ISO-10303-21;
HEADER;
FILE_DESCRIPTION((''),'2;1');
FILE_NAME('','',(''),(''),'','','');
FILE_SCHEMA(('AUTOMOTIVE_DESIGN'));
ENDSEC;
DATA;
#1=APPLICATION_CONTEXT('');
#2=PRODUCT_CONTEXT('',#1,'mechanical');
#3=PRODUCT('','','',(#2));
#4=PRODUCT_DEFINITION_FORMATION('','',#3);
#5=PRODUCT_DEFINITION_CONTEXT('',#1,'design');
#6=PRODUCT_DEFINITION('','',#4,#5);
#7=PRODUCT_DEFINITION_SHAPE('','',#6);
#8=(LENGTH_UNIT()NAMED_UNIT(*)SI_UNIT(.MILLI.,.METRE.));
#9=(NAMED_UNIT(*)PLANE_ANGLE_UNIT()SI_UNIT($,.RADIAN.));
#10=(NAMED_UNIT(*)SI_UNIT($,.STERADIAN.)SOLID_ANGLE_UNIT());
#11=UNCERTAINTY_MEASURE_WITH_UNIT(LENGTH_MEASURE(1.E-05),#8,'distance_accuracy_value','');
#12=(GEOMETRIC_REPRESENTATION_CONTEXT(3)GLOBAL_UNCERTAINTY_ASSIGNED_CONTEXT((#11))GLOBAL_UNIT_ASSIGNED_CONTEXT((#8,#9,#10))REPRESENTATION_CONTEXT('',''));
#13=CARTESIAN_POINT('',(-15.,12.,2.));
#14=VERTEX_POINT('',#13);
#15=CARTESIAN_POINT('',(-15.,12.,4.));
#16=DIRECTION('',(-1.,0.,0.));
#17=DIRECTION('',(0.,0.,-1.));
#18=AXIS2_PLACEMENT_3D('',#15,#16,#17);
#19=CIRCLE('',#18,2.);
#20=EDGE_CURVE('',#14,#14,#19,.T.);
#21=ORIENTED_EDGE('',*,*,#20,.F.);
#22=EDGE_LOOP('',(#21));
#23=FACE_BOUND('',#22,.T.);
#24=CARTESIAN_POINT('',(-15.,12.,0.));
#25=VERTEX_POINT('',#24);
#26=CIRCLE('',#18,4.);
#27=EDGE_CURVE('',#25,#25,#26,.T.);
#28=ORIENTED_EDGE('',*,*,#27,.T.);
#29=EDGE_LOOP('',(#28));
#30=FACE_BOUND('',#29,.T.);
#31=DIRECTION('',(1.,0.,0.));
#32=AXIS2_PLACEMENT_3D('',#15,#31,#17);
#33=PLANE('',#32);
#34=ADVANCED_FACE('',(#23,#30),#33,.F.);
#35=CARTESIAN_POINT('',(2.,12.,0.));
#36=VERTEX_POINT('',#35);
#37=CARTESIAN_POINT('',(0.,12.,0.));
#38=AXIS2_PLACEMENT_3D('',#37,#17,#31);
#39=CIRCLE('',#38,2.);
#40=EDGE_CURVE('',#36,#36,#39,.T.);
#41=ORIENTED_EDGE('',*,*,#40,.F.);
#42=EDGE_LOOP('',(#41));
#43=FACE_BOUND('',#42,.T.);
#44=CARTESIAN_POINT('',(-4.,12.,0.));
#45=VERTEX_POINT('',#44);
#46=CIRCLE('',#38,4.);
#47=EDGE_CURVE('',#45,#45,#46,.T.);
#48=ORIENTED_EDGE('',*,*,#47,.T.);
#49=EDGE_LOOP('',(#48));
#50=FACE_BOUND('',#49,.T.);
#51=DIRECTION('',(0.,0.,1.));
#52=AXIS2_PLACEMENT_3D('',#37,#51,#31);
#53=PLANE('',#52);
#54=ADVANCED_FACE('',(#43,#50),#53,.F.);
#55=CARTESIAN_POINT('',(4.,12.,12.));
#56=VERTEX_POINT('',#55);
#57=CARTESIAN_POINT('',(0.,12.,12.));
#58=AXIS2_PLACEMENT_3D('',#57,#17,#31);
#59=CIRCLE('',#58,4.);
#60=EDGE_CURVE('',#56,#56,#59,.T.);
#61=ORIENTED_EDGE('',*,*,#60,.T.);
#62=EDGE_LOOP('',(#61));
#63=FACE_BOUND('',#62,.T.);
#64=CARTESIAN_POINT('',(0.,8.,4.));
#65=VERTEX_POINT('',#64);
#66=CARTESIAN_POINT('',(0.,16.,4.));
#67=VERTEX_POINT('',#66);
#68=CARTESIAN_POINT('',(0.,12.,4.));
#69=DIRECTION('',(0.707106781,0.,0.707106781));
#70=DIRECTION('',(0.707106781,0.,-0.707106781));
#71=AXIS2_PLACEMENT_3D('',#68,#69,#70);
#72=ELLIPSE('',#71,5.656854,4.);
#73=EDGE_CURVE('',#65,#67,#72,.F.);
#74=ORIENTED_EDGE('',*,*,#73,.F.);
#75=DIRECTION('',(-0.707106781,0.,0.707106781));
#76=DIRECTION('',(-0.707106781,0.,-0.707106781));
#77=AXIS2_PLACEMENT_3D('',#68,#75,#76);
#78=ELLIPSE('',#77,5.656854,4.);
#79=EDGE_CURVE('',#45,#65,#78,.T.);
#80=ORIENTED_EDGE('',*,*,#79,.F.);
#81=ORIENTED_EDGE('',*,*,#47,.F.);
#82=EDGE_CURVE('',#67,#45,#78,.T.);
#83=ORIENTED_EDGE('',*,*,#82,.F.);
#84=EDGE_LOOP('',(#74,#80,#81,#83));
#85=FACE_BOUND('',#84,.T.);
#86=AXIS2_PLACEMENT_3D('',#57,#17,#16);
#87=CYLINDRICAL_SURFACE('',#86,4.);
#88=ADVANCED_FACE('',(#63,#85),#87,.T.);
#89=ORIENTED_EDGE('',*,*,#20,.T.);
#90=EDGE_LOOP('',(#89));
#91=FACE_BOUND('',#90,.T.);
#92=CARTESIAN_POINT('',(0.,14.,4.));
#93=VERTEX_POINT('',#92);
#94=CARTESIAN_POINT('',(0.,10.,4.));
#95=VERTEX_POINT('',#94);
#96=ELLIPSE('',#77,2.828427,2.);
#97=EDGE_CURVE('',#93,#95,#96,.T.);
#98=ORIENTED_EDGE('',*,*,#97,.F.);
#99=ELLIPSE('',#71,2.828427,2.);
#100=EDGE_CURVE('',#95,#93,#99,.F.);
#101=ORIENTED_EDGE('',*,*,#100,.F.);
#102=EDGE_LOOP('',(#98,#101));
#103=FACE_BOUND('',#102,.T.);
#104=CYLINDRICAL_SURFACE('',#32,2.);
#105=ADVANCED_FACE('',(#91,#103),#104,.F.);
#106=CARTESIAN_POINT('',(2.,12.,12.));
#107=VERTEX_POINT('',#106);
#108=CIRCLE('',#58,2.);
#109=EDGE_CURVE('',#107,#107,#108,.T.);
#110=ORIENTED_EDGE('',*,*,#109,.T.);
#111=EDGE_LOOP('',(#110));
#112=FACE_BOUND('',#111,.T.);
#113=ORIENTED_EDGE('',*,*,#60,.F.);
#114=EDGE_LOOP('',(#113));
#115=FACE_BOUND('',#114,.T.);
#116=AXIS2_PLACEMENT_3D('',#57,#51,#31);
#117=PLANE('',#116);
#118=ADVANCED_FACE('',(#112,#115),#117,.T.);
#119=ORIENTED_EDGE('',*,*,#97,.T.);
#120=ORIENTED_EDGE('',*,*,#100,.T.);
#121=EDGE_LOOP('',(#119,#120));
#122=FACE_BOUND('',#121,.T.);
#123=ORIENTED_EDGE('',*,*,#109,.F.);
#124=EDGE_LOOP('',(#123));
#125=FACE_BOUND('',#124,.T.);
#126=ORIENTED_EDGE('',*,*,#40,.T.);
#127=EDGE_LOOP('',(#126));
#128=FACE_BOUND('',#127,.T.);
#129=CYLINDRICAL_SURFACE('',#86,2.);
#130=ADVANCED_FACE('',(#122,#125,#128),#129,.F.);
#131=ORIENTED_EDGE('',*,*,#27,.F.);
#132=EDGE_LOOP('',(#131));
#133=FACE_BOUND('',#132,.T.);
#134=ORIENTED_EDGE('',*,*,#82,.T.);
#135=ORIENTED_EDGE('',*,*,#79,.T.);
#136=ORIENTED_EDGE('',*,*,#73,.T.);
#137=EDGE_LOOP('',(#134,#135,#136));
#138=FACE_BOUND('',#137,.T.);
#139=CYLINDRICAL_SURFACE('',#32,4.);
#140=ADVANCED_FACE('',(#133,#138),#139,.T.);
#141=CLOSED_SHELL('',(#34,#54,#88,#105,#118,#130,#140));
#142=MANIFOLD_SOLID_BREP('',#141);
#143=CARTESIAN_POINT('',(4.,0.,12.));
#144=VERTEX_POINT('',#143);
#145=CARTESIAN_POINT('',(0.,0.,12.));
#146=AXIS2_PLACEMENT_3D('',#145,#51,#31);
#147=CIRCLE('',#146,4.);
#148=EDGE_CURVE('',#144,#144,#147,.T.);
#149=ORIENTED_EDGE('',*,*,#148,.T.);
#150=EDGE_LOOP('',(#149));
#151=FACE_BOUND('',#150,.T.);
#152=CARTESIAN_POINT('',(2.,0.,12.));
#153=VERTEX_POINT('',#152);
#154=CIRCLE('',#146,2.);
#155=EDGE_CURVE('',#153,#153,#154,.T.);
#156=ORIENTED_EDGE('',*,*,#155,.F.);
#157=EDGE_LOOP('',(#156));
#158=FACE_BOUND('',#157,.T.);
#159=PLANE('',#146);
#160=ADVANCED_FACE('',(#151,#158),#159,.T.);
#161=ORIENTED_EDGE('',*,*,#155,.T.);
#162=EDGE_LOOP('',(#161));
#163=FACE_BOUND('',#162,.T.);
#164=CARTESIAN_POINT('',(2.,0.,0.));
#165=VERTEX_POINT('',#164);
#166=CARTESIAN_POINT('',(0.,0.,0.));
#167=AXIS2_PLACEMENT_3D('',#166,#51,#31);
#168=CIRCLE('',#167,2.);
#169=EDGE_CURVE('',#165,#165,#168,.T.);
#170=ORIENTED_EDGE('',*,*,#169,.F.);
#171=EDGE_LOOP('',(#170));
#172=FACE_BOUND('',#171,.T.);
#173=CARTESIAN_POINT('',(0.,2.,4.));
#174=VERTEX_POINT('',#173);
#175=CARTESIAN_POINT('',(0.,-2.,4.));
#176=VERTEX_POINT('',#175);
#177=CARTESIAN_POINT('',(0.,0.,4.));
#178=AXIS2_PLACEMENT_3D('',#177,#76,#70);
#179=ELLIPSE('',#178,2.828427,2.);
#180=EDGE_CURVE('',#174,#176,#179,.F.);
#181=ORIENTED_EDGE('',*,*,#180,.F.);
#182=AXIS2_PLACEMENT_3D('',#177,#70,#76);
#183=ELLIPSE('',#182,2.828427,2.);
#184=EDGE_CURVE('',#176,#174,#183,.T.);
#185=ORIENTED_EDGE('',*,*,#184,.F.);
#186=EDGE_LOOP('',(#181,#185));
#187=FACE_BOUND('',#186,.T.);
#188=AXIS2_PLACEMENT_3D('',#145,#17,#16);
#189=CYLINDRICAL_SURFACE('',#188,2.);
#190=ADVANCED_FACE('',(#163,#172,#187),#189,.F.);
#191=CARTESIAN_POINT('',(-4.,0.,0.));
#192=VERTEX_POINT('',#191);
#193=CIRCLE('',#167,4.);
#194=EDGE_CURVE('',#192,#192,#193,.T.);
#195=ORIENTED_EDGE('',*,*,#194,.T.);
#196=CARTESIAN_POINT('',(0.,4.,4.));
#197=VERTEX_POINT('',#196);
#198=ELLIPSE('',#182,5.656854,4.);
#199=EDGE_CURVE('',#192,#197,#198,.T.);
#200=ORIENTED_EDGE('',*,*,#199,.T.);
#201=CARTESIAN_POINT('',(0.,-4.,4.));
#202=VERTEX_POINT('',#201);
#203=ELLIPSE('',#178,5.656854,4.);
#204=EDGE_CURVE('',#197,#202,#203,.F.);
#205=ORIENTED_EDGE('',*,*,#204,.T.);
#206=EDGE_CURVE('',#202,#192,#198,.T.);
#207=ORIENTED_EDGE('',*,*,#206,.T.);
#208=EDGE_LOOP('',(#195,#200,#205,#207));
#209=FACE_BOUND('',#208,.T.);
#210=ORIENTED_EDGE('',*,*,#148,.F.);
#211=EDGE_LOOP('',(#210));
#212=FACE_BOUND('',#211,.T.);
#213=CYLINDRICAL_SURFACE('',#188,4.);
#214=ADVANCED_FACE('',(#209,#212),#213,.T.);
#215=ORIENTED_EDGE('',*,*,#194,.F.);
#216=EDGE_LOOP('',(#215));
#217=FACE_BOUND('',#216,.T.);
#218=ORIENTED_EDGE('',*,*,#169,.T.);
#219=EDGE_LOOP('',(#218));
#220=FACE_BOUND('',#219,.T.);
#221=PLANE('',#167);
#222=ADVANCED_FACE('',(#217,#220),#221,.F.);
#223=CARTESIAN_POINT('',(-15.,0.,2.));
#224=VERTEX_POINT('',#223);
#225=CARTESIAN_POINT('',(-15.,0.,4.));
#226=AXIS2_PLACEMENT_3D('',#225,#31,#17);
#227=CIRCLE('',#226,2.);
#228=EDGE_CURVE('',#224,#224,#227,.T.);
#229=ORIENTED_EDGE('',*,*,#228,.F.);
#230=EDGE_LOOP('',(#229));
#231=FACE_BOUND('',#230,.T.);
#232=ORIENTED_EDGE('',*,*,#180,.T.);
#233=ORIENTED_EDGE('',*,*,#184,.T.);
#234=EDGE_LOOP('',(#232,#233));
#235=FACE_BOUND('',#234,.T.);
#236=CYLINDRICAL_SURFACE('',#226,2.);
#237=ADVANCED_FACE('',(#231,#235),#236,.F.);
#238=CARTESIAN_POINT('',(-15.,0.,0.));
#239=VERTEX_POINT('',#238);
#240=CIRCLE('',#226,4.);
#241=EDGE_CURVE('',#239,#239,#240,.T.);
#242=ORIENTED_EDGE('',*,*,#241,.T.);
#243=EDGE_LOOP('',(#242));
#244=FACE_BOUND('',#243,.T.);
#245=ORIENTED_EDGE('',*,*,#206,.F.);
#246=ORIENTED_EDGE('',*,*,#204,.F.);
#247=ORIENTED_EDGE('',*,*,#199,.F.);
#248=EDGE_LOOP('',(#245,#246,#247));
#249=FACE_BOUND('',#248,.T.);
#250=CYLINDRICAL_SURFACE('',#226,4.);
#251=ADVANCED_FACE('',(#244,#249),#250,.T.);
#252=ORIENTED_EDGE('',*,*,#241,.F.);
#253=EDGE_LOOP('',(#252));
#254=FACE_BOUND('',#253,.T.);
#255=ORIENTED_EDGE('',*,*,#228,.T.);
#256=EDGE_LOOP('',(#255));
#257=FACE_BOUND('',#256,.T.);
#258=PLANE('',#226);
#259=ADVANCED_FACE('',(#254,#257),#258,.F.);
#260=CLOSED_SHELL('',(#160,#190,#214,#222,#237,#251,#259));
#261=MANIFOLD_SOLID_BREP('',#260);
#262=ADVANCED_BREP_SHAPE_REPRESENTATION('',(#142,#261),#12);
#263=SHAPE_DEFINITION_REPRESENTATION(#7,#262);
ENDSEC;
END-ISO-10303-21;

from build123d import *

# Parameters (mm, degrees)
SKETCH1_R           = 4
SKETCH1_R_2         = 2
BOSS_EXTRUDE1_DEPTH = 12
SKETCH2_R           = 4
SKETCH2_R_2         = 2
BOSS_EXTRUDE2_DEPTH = 15
SKETCH3_R           = 2
CUT_EXTRUDE1_DEPTH  = 13.0000001
CUT_EXTRUDE2_REACH  = 21
SKETCH4_R           = 2


with BuildPart() as part:
    # Sketch1 → Boss-Extrude1 (new body)
    with BuildSketch(Plane.XY):
        Circle(SKETCH1_R)
        Circle(SKETCH1_R_2, mode=Mode.SUBTRACT)
    extrude(amount=BOSS_EXTRUDE1_DEPTH)

    # Sketch2 → Boss-Extrude2 (add)
    with BuildSketch(Plane(origin=(0, 0, 0), x_dir=(0, 0, -1), z_dir=(1, 0, 0))):
        with Locations((-4, 0)):
            Circle(SKETCH2_R)
        with Locations((-4, 0)):
            Circle(SKETCH2_R_2, mode=Mode.SUBTRACT)
    extrude(amount=-BOSS_EXTRUDE2_DEPTH)

    # Sketch3 → Cut-Extrude1 (cut, through all)
    with BuildSketch(Plane(origin=(0, 0, 0), x_dir=(-1, 0, 0), z_dir=(0, 0, -1))):
        Circle(SKETCH3_R)
    extrude(amount=-CUT_EXTRUDE1_DEPTH, mode=Mode.SUBTRACT)

    # Sketch4 → Cut-Extrude2 (cut, up to next)
    with BuildSketch(Plane.ZY.offset(15), mode=Mode.PRIVATE) as cut_extrude2_sk1:
        with Locations((4, 0)):
            Circle(SKETCH4_R)
    cut_extrude2_tool1 = extrude(cut_extrude2_sk1.sketch, amount=-CUT_EXTRUDE2_REACH, mode=Mode.PRIVATE) & part.part
    add(cut_extrude2_tool1.solids().sort_by_distance((-15, 0, 4))[0], mode=Mode.SUBTRACT)


with BuildPart() as body_2:
    # Mirror1: mirrored copy
    add(part.part.mirror(Plane.ZX.offset(6)))


solid = Compound([part.part, body_2.part])
